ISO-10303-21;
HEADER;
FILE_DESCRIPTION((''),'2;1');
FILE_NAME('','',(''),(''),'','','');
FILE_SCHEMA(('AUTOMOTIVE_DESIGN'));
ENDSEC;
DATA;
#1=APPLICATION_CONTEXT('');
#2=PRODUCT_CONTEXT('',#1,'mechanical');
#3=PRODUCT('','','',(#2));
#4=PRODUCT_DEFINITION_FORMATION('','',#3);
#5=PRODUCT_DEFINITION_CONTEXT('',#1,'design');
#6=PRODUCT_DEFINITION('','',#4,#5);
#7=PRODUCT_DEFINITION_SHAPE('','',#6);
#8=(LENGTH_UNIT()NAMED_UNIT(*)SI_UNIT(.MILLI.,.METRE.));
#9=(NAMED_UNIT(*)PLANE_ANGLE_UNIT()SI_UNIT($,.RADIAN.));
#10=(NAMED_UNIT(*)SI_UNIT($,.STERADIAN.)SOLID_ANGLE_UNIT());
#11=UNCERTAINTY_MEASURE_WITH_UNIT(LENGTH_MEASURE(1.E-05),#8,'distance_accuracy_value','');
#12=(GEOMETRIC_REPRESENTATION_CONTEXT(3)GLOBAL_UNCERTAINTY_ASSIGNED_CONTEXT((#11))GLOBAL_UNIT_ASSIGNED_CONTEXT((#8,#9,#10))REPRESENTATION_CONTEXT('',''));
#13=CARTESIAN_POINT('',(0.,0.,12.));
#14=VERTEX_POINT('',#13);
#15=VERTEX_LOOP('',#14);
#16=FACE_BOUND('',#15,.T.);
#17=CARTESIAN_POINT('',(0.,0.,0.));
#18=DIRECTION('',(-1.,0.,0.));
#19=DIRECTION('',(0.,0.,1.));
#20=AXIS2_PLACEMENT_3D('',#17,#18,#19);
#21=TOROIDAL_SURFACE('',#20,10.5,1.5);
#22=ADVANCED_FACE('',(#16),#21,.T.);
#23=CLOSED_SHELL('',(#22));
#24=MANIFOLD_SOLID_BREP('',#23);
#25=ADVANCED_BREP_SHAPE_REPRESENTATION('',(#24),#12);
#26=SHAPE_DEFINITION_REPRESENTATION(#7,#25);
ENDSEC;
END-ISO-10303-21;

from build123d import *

# Parameters (mm, degrees)
ESQUISSE1_R = 1.5


with BuildPart() as part:
    # Esquisse1 → Révolution1 (revolve)
    with BuildSketch(Plane.XY, mode=Mode.PRIVATE) as r_volution1_sk:
        with Locations((0, 10.5)):
            Circle(ESQUISSE1_R)
    revolve(r_volution1_sk.sketch.rotate(Axis((-17.272, 0, 0), (1, 0, 0)), 90), axis=Axis((-17.272, 0, 0), (1, 0, 0)))


solid = part.part
